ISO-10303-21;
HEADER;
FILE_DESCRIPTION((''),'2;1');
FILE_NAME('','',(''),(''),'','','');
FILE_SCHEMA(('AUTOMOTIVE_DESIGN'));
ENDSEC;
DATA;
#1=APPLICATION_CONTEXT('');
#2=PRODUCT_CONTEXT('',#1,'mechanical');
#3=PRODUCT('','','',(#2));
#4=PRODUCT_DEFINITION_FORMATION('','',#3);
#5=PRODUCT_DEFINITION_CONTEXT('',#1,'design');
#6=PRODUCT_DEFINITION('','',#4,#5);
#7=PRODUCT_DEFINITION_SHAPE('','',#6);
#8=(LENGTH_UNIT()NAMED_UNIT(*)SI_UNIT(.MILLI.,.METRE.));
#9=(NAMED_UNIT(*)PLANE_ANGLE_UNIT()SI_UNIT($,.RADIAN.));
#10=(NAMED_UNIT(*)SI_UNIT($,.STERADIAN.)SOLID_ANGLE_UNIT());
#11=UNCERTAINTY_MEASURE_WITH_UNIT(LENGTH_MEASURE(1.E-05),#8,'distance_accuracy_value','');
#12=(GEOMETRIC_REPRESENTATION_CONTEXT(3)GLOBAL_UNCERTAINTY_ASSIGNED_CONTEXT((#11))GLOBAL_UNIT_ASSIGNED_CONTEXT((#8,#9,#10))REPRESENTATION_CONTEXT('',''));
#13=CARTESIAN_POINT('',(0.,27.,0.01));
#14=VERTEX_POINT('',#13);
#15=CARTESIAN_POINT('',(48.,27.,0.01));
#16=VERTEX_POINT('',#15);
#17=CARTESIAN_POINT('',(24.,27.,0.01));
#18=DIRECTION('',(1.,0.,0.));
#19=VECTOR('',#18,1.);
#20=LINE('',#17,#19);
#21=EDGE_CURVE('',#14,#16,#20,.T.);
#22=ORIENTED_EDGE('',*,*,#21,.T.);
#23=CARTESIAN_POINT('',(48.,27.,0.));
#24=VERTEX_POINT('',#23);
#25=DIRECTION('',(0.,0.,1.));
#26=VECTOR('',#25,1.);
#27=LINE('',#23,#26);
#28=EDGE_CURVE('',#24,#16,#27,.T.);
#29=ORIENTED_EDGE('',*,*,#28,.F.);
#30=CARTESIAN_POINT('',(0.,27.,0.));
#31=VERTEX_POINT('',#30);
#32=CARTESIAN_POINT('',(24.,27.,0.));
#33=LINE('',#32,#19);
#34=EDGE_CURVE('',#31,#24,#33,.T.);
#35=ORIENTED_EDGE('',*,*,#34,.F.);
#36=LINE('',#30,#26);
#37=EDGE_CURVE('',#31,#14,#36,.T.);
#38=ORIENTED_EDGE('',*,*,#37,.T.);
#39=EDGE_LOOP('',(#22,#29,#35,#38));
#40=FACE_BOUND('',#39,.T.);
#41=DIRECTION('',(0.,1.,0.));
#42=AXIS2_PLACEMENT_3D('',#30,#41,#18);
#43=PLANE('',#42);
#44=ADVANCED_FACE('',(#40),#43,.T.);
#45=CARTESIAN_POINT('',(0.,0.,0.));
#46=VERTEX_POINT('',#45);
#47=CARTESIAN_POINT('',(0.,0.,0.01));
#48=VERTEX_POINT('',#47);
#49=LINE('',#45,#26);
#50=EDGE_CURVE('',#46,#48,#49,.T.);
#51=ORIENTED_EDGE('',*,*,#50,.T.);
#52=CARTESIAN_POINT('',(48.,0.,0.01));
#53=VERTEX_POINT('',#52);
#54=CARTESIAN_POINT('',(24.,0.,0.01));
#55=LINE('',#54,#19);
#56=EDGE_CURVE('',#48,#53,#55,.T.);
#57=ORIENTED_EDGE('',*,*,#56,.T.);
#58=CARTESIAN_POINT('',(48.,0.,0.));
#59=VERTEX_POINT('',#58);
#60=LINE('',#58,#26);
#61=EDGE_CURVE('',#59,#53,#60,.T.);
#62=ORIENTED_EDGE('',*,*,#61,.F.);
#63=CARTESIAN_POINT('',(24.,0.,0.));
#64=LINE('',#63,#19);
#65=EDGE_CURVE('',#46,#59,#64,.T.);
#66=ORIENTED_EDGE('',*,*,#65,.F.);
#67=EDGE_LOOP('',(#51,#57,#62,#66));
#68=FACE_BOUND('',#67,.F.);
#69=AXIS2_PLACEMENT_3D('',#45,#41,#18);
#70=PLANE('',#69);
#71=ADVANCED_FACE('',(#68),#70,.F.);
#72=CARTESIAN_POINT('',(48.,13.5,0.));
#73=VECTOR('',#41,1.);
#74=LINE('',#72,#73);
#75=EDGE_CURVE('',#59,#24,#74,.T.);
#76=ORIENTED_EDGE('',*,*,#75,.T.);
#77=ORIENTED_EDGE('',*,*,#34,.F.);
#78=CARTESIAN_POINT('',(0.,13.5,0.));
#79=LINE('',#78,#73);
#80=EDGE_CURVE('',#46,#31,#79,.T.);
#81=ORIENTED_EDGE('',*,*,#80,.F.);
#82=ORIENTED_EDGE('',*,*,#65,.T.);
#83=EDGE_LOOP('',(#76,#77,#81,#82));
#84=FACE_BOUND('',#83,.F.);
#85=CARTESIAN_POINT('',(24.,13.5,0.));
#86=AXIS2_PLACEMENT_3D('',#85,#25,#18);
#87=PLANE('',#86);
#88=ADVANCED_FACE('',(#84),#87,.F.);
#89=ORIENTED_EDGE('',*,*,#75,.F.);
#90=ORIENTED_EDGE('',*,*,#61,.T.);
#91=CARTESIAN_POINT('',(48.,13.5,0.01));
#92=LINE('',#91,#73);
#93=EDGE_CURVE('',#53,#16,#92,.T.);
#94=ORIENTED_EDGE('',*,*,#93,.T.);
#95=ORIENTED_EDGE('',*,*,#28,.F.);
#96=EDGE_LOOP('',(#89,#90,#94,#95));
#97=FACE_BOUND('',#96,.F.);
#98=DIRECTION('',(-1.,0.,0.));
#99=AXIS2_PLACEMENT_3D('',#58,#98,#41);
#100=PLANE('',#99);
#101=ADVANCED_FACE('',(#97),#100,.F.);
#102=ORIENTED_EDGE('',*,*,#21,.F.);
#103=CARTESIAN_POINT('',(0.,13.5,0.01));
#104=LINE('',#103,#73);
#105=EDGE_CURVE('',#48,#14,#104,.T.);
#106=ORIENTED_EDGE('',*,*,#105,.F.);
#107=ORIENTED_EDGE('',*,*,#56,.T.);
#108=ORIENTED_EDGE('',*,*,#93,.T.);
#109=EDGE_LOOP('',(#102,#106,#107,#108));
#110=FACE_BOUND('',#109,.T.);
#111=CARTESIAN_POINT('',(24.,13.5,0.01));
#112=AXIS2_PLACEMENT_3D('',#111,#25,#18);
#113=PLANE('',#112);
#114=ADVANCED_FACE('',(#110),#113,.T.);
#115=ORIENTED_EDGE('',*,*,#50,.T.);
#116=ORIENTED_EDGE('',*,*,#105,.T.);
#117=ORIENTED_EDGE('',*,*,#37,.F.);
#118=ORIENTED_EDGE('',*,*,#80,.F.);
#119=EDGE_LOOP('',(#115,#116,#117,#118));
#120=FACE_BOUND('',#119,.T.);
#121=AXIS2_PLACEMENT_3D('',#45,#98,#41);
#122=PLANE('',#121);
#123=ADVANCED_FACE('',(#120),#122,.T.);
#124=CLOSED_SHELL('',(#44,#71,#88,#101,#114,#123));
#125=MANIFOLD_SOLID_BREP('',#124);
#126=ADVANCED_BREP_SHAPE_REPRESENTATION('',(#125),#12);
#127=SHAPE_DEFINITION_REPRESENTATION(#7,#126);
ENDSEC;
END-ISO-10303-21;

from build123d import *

# Parameters (mm, degrees)
BOX_W     = 48
BOX_H     = 27
BOX_DEPTH = 0.01


with BuildPart() as part:
    # Box → Box (new body)
    with BuildSketch(Plane.XY):
        with Locations((24, 13.5)):
            Rectangle(BOX_W, BOX_H)
    extrude(amount=BOX_DEPTH)


solid = part.part
